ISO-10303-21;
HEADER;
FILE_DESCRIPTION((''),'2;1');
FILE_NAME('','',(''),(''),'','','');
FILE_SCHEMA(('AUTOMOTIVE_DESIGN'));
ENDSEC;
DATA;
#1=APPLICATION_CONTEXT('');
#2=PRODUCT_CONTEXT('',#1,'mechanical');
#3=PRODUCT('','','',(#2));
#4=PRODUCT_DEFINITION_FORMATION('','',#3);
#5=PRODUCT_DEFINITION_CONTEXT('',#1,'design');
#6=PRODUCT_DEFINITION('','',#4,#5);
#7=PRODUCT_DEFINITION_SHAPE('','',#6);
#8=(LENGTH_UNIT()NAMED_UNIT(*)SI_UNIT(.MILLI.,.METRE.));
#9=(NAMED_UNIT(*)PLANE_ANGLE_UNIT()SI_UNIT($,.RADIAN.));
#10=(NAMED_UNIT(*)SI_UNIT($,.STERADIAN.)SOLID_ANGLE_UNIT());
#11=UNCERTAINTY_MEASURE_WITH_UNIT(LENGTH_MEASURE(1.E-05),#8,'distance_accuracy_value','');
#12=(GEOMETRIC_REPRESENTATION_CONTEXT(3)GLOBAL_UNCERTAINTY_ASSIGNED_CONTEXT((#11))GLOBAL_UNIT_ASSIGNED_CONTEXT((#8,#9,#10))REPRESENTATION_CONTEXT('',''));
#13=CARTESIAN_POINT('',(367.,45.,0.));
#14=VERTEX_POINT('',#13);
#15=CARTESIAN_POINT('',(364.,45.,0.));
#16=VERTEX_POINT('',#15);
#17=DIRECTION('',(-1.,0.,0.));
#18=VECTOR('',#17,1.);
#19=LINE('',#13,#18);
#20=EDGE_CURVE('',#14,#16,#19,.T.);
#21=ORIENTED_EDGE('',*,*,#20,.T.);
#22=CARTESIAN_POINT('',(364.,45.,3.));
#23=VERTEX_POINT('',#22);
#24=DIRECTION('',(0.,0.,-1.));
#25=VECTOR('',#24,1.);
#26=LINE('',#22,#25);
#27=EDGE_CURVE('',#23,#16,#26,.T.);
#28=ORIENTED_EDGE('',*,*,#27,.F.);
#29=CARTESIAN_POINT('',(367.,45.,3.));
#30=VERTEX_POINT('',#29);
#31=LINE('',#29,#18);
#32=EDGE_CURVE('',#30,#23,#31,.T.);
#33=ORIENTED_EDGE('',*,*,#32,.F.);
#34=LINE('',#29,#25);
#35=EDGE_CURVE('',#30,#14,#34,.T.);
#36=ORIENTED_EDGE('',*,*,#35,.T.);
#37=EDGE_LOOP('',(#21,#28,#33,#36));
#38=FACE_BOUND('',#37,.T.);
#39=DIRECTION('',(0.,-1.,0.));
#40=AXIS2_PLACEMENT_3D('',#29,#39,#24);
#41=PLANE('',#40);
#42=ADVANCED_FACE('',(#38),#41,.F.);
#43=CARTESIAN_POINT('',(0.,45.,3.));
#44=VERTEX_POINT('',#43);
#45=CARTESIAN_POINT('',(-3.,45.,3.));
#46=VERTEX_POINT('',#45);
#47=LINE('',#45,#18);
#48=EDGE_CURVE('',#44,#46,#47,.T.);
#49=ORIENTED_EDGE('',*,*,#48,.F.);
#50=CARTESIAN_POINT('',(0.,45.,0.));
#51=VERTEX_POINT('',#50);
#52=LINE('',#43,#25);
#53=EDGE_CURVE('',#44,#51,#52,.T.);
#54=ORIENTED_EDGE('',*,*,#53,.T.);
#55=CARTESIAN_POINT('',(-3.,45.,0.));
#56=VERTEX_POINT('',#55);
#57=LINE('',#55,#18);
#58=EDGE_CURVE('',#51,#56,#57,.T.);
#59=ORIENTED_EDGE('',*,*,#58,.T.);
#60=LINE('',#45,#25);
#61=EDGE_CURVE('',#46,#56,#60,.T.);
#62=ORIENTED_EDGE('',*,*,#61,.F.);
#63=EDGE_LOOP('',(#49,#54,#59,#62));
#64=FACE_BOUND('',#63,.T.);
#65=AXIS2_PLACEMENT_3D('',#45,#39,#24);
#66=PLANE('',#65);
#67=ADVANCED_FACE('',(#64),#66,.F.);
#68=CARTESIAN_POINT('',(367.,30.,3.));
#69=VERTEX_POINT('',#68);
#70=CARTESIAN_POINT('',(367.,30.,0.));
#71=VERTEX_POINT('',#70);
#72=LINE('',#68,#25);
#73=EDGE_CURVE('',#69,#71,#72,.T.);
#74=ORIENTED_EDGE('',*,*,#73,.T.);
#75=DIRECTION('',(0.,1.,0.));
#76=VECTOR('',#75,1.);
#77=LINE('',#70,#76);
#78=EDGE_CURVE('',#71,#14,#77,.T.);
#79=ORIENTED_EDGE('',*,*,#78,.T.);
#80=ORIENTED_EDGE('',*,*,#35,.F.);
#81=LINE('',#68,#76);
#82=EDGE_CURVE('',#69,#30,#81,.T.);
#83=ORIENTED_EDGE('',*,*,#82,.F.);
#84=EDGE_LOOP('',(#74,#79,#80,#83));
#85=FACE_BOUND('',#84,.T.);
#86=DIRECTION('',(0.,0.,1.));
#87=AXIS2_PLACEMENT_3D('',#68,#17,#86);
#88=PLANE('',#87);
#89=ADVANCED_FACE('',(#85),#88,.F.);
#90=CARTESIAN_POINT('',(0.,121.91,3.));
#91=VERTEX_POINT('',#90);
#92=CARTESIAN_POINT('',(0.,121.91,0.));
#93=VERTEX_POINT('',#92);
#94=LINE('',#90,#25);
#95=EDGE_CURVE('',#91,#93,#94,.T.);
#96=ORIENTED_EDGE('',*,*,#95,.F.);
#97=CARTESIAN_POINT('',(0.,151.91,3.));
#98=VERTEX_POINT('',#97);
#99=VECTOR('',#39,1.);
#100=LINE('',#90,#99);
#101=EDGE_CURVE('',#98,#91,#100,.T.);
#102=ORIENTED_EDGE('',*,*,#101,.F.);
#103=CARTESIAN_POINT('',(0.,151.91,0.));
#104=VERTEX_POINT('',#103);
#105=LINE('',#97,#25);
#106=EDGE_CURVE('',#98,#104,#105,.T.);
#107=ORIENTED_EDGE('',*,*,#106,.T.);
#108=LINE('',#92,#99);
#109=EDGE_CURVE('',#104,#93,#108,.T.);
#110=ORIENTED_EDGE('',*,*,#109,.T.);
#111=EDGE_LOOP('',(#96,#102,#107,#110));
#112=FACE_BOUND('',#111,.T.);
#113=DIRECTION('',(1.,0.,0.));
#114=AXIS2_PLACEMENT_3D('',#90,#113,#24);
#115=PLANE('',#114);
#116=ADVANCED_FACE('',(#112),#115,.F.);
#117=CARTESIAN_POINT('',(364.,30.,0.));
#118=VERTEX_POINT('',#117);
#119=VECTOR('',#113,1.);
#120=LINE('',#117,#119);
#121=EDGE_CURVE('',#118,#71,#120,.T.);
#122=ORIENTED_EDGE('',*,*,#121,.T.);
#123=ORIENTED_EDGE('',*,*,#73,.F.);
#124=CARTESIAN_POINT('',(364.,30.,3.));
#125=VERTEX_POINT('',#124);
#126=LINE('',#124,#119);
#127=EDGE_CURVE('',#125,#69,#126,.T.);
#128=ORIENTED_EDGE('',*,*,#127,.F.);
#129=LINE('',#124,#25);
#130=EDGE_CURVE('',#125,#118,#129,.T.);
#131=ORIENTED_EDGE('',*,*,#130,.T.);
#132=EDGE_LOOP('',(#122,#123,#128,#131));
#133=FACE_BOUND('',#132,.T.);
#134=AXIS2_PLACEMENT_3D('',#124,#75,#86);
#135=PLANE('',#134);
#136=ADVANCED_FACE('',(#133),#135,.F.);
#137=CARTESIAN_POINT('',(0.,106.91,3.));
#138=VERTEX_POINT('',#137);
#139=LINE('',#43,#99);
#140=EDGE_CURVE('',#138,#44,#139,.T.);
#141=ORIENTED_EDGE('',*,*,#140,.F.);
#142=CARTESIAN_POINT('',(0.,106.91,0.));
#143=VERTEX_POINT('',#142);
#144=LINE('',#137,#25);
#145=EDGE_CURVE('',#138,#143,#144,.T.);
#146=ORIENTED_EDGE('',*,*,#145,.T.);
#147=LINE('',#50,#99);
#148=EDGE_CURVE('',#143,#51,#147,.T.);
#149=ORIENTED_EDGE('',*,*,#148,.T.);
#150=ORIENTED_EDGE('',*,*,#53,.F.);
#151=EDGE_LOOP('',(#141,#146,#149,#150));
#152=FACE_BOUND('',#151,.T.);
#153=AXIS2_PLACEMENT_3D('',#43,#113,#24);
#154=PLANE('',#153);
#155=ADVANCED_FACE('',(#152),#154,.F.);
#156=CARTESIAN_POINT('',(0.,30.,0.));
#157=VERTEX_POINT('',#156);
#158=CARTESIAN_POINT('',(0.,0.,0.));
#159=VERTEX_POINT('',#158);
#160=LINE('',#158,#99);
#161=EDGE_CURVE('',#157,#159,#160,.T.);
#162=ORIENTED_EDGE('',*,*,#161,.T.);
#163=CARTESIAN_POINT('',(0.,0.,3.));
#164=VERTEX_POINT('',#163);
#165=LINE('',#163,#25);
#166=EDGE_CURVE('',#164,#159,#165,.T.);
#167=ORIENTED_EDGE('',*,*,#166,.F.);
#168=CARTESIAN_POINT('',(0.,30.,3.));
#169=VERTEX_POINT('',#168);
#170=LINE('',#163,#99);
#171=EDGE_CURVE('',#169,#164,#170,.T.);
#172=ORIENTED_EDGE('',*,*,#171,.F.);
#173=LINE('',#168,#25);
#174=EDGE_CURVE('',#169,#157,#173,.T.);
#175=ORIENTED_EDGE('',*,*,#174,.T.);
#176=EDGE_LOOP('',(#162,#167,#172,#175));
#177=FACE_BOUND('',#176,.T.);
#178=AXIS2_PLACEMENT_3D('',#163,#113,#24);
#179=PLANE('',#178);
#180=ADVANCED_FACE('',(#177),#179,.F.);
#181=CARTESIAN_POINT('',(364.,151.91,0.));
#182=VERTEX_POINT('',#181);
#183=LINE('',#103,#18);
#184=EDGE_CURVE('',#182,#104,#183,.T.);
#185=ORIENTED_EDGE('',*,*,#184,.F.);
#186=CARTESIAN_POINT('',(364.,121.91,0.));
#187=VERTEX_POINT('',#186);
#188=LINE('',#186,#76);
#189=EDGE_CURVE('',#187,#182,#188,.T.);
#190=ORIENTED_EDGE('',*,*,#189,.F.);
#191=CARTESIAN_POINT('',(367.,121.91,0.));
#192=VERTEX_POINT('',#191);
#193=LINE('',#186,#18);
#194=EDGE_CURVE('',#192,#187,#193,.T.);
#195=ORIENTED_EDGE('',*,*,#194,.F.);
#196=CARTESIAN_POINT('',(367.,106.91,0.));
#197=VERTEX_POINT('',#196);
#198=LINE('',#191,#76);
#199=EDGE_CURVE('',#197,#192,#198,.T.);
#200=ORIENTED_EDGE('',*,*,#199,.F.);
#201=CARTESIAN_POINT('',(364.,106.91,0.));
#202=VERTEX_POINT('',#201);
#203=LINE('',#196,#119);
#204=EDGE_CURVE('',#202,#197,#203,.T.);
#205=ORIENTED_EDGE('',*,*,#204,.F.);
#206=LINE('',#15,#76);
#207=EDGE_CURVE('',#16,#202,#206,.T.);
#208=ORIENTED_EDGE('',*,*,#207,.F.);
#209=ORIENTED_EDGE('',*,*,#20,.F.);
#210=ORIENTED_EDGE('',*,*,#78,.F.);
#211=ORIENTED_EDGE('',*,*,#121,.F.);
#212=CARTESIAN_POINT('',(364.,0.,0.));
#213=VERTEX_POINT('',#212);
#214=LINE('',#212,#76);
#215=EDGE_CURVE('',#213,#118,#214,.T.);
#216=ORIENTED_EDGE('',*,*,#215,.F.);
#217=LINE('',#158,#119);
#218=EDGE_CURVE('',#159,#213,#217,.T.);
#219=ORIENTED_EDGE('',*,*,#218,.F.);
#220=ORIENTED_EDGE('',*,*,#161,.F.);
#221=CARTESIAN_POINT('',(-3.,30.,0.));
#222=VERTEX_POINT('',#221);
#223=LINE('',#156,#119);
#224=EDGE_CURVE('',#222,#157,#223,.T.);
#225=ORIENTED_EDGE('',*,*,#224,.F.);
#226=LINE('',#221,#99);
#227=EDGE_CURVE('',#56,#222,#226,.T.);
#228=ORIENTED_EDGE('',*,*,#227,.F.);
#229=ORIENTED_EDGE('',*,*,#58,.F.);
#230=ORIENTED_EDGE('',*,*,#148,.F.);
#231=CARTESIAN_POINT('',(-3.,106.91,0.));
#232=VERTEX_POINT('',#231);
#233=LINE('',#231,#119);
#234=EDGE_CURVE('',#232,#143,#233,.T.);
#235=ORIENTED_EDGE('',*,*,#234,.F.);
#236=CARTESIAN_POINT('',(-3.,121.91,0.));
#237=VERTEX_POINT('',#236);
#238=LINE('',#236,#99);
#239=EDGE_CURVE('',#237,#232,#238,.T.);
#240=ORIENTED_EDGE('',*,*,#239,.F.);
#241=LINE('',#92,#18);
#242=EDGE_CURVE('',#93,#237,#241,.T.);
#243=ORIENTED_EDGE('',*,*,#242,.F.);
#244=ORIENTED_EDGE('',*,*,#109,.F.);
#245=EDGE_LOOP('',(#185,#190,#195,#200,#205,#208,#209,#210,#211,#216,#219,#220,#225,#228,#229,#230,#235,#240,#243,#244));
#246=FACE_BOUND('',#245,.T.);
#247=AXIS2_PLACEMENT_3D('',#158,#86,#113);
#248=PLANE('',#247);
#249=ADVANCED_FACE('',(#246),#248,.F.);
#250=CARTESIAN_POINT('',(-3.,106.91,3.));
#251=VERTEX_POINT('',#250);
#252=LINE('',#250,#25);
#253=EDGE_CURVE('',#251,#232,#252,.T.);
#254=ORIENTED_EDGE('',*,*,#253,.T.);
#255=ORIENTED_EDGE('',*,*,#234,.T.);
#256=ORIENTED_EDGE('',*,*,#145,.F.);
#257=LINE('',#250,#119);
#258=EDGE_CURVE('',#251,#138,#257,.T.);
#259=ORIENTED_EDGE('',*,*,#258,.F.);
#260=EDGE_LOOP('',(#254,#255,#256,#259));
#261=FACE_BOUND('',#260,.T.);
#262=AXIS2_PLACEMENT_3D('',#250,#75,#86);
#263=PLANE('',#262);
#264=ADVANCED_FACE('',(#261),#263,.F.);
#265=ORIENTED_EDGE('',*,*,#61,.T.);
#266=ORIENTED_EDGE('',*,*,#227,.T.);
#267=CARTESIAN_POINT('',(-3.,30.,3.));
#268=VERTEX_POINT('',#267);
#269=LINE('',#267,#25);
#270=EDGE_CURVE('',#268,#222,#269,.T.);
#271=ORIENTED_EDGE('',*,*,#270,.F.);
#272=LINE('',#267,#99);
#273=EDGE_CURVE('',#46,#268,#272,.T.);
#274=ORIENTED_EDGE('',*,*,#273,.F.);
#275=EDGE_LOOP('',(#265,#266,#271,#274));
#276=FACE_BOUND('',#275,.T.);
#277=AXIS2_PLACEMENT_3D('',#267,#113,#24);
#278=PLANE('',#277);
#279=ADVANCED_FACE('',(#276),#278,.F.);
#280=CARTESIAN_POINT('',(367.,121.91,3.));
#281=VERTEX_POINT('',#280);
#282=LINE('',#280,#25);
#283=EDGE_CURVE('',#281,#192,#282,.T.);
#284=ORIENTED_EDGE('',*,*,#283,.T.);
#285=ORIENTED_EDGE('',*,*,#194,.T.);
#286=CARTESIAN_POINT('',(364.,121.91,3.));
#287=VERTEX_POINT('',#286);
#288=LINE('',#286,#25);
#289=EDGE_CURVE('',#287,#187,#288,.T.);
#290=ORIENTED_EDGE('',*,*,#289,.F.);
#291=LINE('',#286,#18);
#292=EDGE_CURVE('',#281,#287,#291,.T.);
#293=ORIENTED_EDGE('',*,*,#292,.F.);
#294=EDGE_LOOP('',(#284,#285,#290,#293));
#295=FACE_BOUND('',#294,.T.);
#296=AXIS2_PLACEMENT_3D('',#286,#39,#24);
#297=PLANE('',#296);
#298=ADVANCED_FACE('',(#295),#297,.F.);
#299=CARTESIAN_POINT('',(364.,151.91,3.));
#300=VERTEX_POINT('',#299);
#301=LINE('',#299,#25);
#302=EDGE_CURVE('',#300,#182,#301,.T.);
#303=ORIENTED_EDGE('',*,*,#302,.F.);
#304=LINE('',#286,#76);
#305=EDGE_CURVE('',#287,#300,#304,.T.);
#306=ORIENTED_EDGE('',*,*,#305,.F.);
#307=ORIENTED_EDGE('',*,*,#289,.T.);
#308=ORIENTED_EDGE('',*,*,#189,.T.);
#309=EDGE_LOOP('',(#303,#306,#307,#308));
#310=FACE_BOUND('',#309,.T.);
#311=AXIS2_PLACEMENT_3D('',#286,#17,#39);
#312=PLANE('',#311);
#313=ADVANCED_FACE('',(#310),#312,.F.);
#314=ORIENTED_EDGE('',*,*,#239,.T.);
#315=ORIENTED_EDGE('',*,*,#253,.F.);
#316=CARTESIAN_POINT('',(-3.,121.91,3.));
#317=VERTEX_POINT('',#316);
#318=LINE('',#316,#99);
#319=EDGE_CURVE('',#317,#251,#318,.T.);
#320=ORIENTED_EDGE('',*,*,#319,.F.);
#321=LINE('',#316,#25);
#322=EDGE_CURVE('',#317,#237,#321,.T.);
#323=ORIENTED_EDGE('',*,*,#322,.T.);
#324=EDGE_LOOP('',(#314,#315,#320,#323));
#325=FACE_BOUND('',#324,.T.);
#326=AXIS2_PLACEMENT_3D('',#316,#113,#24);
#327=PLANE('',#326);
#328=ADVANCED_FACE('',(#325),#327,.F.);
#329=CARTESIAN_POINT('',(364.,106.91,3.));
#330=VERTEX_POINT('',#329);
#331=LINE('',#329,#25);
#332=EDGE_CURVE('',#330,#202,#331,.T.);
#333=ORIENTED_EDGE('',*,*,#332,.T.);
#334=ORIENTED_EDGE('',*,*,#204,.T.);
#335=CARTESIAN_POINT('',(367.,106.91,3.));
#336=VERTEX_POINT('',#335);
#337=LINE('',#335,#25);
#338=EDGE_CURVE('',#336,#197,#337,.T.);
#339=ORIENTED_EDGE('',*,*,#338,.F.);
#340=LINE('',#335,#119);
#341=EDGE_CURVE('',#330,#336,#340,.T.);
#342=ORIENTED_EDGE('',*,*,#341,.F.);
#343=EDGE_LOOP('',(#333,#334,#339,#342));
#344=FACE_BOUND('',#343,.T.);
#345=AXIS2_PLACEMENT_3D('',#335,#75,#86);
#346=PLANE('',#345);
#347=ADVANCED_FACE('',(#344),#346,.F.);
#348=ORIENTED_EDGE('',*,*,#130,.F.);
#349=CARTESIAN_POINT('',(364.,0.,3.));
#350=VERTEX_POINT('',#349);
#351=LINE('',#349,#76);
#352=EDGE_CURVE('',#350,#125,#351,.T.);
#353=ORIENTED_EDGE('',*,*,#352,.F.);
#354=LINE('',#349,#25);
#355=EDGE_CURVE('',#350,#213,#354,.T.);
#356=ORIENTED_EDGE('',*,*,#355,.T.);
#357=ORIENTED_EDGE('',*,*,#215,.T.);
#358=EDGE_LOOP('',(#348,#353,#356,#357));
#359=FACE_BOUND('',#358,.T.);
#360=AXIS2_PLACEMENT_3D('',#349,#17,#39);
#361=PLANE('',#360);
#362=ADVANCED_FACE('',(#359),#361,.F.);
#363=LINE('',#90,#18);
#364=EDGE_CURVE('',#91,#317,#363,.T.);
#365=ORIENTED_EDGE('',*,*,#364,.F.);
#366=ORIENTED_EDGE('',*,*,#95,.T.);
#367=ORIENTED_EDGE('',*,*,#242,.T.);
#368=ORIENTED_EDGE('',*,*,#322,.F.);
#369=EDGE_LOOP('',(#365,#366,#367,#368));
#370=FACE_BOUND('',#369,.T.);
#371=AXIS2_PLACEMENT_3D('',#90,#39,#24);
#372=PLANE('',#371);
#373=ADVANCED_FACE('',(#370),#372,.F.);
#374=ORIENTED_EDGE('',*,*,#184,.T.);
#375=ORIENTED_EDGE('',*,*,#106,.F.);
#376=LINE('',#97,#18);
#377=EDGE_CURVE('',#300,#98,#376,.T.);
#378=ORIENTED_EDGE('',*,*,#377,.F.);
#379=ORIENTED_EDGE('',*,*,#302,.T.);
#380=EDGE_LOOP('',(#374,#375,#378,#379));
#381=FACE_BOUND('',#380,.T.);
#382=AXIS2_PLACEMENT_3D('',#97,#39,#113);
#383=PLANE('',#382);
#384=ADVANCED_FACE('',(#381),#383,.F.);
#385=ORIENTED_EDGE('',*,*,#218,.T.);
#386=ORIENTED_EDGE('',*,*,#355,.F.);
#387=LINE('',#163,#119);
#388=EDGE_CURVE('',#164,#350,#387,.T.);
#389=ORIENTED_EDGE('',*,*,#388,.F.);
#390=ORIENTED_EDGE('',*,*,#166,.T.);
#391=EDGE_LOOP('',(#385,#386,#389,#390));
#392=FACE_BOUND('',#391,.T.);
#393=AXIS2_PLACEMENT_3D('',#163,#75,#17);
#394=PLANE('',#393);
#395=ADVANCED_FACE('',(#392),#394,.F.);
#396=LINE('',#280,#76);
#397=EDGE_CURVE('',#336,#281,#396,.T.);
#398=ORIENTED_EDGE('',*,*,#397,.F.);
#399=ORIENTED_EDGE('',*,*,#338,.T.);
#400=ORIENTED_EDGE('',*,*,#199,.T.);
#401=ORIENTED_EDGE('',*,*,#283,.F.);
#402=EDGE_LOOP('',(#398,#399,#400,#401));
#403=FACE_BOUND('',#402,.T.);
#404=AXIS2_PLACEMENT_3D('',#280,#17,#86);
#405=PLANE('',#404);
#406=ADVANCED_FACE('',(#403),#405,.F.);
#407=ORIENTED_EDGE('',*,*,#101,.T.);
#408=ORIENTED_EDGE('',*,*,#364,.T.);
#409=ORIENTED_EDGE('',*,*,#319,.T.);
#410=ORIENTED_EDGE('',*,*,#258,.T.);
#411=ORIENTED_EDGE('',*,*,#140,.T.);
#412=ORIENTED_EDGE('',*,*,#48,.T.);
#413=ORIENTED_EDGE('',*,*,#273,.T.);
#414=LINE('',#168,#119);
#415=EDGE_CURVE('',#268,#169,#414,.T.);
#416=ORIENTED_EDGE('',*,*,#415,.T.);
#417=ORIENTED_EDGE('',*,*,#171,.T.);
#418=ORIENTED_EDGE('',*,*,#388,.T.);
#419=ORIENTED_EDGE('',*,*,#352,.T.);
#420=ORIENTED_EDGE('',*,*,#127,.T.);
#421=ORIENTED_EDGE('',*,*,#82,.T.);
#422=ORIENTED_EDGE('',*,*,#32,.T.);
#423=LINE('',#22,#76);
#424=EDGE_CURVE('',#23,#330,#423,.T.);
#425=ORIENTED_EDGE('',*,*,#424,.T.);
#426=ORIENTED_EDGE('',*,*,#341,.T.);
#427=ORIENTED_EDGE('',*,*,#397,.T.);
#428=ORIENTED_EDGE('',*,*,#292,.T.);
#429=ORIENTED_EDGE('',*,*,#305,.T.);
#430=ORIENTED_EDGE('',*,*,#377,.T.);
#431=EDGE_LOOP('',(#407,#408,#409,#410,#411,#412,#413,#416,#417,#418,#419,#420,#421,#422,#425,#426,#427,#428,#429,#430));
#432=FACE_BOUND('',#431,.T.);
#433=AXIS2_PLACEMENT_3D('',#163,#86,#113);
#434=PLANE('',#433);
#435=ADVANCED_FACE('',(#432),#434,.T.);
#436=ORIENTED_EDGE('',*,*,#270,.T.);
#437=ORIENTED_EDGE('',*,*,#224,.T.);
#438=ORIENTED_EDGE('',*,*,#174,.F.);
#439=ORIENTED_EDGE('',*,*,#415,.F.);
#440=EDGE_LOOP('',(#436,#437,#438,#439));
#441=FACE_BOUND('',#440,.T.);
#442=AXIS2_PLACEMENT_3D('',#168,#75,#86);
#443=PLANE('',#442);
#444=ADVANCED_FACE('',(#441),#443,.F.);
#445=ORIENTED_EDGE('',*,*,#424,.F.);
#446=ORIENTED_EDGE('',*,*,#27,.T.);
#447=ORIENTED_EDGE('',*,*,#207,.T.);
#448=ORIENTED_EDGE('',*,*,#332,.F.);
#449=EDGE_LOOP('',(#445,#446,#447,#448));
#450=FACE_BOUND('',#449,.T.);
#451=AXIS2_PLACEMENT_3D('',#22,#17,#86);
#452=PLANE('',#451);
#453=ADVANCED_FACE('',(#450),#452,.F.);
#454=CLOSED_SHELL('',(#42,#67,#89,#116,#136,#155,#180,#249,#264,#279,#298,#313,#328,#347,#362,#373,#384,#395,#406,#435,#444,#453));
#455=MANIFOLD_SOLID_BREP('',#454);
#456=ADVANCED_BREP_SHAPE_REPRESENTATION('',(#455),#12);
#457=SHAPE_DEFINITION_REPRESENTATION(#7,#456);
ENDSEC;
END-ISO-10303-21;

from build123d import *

# Parameters (mm, degrees)
BOSS_EXTRUDE1_DEPTH = 3


with BuildPart() as part:
    # Sketch1 → Boss-Extrude1 (new body)
    with BuildSketch(Plane.XY):
        Polygon((0, 0), (364, 0), (364, 30), (367, 30), (367, 45), (364, 45), (364, 106.91), (367, 106.91), (367, 121.91), (364, 121.91), (364, 151.91), (0, 151.91), (0, 121.91), (-3, 121.91), (-3, 106.91), (0, 106.91), (0, 45), (-3, 45), (-3, 30), (0, 30), align=None)
    extrude(amount=BOSS_EXTRUDE1_DEPTH)


solid = part.part
